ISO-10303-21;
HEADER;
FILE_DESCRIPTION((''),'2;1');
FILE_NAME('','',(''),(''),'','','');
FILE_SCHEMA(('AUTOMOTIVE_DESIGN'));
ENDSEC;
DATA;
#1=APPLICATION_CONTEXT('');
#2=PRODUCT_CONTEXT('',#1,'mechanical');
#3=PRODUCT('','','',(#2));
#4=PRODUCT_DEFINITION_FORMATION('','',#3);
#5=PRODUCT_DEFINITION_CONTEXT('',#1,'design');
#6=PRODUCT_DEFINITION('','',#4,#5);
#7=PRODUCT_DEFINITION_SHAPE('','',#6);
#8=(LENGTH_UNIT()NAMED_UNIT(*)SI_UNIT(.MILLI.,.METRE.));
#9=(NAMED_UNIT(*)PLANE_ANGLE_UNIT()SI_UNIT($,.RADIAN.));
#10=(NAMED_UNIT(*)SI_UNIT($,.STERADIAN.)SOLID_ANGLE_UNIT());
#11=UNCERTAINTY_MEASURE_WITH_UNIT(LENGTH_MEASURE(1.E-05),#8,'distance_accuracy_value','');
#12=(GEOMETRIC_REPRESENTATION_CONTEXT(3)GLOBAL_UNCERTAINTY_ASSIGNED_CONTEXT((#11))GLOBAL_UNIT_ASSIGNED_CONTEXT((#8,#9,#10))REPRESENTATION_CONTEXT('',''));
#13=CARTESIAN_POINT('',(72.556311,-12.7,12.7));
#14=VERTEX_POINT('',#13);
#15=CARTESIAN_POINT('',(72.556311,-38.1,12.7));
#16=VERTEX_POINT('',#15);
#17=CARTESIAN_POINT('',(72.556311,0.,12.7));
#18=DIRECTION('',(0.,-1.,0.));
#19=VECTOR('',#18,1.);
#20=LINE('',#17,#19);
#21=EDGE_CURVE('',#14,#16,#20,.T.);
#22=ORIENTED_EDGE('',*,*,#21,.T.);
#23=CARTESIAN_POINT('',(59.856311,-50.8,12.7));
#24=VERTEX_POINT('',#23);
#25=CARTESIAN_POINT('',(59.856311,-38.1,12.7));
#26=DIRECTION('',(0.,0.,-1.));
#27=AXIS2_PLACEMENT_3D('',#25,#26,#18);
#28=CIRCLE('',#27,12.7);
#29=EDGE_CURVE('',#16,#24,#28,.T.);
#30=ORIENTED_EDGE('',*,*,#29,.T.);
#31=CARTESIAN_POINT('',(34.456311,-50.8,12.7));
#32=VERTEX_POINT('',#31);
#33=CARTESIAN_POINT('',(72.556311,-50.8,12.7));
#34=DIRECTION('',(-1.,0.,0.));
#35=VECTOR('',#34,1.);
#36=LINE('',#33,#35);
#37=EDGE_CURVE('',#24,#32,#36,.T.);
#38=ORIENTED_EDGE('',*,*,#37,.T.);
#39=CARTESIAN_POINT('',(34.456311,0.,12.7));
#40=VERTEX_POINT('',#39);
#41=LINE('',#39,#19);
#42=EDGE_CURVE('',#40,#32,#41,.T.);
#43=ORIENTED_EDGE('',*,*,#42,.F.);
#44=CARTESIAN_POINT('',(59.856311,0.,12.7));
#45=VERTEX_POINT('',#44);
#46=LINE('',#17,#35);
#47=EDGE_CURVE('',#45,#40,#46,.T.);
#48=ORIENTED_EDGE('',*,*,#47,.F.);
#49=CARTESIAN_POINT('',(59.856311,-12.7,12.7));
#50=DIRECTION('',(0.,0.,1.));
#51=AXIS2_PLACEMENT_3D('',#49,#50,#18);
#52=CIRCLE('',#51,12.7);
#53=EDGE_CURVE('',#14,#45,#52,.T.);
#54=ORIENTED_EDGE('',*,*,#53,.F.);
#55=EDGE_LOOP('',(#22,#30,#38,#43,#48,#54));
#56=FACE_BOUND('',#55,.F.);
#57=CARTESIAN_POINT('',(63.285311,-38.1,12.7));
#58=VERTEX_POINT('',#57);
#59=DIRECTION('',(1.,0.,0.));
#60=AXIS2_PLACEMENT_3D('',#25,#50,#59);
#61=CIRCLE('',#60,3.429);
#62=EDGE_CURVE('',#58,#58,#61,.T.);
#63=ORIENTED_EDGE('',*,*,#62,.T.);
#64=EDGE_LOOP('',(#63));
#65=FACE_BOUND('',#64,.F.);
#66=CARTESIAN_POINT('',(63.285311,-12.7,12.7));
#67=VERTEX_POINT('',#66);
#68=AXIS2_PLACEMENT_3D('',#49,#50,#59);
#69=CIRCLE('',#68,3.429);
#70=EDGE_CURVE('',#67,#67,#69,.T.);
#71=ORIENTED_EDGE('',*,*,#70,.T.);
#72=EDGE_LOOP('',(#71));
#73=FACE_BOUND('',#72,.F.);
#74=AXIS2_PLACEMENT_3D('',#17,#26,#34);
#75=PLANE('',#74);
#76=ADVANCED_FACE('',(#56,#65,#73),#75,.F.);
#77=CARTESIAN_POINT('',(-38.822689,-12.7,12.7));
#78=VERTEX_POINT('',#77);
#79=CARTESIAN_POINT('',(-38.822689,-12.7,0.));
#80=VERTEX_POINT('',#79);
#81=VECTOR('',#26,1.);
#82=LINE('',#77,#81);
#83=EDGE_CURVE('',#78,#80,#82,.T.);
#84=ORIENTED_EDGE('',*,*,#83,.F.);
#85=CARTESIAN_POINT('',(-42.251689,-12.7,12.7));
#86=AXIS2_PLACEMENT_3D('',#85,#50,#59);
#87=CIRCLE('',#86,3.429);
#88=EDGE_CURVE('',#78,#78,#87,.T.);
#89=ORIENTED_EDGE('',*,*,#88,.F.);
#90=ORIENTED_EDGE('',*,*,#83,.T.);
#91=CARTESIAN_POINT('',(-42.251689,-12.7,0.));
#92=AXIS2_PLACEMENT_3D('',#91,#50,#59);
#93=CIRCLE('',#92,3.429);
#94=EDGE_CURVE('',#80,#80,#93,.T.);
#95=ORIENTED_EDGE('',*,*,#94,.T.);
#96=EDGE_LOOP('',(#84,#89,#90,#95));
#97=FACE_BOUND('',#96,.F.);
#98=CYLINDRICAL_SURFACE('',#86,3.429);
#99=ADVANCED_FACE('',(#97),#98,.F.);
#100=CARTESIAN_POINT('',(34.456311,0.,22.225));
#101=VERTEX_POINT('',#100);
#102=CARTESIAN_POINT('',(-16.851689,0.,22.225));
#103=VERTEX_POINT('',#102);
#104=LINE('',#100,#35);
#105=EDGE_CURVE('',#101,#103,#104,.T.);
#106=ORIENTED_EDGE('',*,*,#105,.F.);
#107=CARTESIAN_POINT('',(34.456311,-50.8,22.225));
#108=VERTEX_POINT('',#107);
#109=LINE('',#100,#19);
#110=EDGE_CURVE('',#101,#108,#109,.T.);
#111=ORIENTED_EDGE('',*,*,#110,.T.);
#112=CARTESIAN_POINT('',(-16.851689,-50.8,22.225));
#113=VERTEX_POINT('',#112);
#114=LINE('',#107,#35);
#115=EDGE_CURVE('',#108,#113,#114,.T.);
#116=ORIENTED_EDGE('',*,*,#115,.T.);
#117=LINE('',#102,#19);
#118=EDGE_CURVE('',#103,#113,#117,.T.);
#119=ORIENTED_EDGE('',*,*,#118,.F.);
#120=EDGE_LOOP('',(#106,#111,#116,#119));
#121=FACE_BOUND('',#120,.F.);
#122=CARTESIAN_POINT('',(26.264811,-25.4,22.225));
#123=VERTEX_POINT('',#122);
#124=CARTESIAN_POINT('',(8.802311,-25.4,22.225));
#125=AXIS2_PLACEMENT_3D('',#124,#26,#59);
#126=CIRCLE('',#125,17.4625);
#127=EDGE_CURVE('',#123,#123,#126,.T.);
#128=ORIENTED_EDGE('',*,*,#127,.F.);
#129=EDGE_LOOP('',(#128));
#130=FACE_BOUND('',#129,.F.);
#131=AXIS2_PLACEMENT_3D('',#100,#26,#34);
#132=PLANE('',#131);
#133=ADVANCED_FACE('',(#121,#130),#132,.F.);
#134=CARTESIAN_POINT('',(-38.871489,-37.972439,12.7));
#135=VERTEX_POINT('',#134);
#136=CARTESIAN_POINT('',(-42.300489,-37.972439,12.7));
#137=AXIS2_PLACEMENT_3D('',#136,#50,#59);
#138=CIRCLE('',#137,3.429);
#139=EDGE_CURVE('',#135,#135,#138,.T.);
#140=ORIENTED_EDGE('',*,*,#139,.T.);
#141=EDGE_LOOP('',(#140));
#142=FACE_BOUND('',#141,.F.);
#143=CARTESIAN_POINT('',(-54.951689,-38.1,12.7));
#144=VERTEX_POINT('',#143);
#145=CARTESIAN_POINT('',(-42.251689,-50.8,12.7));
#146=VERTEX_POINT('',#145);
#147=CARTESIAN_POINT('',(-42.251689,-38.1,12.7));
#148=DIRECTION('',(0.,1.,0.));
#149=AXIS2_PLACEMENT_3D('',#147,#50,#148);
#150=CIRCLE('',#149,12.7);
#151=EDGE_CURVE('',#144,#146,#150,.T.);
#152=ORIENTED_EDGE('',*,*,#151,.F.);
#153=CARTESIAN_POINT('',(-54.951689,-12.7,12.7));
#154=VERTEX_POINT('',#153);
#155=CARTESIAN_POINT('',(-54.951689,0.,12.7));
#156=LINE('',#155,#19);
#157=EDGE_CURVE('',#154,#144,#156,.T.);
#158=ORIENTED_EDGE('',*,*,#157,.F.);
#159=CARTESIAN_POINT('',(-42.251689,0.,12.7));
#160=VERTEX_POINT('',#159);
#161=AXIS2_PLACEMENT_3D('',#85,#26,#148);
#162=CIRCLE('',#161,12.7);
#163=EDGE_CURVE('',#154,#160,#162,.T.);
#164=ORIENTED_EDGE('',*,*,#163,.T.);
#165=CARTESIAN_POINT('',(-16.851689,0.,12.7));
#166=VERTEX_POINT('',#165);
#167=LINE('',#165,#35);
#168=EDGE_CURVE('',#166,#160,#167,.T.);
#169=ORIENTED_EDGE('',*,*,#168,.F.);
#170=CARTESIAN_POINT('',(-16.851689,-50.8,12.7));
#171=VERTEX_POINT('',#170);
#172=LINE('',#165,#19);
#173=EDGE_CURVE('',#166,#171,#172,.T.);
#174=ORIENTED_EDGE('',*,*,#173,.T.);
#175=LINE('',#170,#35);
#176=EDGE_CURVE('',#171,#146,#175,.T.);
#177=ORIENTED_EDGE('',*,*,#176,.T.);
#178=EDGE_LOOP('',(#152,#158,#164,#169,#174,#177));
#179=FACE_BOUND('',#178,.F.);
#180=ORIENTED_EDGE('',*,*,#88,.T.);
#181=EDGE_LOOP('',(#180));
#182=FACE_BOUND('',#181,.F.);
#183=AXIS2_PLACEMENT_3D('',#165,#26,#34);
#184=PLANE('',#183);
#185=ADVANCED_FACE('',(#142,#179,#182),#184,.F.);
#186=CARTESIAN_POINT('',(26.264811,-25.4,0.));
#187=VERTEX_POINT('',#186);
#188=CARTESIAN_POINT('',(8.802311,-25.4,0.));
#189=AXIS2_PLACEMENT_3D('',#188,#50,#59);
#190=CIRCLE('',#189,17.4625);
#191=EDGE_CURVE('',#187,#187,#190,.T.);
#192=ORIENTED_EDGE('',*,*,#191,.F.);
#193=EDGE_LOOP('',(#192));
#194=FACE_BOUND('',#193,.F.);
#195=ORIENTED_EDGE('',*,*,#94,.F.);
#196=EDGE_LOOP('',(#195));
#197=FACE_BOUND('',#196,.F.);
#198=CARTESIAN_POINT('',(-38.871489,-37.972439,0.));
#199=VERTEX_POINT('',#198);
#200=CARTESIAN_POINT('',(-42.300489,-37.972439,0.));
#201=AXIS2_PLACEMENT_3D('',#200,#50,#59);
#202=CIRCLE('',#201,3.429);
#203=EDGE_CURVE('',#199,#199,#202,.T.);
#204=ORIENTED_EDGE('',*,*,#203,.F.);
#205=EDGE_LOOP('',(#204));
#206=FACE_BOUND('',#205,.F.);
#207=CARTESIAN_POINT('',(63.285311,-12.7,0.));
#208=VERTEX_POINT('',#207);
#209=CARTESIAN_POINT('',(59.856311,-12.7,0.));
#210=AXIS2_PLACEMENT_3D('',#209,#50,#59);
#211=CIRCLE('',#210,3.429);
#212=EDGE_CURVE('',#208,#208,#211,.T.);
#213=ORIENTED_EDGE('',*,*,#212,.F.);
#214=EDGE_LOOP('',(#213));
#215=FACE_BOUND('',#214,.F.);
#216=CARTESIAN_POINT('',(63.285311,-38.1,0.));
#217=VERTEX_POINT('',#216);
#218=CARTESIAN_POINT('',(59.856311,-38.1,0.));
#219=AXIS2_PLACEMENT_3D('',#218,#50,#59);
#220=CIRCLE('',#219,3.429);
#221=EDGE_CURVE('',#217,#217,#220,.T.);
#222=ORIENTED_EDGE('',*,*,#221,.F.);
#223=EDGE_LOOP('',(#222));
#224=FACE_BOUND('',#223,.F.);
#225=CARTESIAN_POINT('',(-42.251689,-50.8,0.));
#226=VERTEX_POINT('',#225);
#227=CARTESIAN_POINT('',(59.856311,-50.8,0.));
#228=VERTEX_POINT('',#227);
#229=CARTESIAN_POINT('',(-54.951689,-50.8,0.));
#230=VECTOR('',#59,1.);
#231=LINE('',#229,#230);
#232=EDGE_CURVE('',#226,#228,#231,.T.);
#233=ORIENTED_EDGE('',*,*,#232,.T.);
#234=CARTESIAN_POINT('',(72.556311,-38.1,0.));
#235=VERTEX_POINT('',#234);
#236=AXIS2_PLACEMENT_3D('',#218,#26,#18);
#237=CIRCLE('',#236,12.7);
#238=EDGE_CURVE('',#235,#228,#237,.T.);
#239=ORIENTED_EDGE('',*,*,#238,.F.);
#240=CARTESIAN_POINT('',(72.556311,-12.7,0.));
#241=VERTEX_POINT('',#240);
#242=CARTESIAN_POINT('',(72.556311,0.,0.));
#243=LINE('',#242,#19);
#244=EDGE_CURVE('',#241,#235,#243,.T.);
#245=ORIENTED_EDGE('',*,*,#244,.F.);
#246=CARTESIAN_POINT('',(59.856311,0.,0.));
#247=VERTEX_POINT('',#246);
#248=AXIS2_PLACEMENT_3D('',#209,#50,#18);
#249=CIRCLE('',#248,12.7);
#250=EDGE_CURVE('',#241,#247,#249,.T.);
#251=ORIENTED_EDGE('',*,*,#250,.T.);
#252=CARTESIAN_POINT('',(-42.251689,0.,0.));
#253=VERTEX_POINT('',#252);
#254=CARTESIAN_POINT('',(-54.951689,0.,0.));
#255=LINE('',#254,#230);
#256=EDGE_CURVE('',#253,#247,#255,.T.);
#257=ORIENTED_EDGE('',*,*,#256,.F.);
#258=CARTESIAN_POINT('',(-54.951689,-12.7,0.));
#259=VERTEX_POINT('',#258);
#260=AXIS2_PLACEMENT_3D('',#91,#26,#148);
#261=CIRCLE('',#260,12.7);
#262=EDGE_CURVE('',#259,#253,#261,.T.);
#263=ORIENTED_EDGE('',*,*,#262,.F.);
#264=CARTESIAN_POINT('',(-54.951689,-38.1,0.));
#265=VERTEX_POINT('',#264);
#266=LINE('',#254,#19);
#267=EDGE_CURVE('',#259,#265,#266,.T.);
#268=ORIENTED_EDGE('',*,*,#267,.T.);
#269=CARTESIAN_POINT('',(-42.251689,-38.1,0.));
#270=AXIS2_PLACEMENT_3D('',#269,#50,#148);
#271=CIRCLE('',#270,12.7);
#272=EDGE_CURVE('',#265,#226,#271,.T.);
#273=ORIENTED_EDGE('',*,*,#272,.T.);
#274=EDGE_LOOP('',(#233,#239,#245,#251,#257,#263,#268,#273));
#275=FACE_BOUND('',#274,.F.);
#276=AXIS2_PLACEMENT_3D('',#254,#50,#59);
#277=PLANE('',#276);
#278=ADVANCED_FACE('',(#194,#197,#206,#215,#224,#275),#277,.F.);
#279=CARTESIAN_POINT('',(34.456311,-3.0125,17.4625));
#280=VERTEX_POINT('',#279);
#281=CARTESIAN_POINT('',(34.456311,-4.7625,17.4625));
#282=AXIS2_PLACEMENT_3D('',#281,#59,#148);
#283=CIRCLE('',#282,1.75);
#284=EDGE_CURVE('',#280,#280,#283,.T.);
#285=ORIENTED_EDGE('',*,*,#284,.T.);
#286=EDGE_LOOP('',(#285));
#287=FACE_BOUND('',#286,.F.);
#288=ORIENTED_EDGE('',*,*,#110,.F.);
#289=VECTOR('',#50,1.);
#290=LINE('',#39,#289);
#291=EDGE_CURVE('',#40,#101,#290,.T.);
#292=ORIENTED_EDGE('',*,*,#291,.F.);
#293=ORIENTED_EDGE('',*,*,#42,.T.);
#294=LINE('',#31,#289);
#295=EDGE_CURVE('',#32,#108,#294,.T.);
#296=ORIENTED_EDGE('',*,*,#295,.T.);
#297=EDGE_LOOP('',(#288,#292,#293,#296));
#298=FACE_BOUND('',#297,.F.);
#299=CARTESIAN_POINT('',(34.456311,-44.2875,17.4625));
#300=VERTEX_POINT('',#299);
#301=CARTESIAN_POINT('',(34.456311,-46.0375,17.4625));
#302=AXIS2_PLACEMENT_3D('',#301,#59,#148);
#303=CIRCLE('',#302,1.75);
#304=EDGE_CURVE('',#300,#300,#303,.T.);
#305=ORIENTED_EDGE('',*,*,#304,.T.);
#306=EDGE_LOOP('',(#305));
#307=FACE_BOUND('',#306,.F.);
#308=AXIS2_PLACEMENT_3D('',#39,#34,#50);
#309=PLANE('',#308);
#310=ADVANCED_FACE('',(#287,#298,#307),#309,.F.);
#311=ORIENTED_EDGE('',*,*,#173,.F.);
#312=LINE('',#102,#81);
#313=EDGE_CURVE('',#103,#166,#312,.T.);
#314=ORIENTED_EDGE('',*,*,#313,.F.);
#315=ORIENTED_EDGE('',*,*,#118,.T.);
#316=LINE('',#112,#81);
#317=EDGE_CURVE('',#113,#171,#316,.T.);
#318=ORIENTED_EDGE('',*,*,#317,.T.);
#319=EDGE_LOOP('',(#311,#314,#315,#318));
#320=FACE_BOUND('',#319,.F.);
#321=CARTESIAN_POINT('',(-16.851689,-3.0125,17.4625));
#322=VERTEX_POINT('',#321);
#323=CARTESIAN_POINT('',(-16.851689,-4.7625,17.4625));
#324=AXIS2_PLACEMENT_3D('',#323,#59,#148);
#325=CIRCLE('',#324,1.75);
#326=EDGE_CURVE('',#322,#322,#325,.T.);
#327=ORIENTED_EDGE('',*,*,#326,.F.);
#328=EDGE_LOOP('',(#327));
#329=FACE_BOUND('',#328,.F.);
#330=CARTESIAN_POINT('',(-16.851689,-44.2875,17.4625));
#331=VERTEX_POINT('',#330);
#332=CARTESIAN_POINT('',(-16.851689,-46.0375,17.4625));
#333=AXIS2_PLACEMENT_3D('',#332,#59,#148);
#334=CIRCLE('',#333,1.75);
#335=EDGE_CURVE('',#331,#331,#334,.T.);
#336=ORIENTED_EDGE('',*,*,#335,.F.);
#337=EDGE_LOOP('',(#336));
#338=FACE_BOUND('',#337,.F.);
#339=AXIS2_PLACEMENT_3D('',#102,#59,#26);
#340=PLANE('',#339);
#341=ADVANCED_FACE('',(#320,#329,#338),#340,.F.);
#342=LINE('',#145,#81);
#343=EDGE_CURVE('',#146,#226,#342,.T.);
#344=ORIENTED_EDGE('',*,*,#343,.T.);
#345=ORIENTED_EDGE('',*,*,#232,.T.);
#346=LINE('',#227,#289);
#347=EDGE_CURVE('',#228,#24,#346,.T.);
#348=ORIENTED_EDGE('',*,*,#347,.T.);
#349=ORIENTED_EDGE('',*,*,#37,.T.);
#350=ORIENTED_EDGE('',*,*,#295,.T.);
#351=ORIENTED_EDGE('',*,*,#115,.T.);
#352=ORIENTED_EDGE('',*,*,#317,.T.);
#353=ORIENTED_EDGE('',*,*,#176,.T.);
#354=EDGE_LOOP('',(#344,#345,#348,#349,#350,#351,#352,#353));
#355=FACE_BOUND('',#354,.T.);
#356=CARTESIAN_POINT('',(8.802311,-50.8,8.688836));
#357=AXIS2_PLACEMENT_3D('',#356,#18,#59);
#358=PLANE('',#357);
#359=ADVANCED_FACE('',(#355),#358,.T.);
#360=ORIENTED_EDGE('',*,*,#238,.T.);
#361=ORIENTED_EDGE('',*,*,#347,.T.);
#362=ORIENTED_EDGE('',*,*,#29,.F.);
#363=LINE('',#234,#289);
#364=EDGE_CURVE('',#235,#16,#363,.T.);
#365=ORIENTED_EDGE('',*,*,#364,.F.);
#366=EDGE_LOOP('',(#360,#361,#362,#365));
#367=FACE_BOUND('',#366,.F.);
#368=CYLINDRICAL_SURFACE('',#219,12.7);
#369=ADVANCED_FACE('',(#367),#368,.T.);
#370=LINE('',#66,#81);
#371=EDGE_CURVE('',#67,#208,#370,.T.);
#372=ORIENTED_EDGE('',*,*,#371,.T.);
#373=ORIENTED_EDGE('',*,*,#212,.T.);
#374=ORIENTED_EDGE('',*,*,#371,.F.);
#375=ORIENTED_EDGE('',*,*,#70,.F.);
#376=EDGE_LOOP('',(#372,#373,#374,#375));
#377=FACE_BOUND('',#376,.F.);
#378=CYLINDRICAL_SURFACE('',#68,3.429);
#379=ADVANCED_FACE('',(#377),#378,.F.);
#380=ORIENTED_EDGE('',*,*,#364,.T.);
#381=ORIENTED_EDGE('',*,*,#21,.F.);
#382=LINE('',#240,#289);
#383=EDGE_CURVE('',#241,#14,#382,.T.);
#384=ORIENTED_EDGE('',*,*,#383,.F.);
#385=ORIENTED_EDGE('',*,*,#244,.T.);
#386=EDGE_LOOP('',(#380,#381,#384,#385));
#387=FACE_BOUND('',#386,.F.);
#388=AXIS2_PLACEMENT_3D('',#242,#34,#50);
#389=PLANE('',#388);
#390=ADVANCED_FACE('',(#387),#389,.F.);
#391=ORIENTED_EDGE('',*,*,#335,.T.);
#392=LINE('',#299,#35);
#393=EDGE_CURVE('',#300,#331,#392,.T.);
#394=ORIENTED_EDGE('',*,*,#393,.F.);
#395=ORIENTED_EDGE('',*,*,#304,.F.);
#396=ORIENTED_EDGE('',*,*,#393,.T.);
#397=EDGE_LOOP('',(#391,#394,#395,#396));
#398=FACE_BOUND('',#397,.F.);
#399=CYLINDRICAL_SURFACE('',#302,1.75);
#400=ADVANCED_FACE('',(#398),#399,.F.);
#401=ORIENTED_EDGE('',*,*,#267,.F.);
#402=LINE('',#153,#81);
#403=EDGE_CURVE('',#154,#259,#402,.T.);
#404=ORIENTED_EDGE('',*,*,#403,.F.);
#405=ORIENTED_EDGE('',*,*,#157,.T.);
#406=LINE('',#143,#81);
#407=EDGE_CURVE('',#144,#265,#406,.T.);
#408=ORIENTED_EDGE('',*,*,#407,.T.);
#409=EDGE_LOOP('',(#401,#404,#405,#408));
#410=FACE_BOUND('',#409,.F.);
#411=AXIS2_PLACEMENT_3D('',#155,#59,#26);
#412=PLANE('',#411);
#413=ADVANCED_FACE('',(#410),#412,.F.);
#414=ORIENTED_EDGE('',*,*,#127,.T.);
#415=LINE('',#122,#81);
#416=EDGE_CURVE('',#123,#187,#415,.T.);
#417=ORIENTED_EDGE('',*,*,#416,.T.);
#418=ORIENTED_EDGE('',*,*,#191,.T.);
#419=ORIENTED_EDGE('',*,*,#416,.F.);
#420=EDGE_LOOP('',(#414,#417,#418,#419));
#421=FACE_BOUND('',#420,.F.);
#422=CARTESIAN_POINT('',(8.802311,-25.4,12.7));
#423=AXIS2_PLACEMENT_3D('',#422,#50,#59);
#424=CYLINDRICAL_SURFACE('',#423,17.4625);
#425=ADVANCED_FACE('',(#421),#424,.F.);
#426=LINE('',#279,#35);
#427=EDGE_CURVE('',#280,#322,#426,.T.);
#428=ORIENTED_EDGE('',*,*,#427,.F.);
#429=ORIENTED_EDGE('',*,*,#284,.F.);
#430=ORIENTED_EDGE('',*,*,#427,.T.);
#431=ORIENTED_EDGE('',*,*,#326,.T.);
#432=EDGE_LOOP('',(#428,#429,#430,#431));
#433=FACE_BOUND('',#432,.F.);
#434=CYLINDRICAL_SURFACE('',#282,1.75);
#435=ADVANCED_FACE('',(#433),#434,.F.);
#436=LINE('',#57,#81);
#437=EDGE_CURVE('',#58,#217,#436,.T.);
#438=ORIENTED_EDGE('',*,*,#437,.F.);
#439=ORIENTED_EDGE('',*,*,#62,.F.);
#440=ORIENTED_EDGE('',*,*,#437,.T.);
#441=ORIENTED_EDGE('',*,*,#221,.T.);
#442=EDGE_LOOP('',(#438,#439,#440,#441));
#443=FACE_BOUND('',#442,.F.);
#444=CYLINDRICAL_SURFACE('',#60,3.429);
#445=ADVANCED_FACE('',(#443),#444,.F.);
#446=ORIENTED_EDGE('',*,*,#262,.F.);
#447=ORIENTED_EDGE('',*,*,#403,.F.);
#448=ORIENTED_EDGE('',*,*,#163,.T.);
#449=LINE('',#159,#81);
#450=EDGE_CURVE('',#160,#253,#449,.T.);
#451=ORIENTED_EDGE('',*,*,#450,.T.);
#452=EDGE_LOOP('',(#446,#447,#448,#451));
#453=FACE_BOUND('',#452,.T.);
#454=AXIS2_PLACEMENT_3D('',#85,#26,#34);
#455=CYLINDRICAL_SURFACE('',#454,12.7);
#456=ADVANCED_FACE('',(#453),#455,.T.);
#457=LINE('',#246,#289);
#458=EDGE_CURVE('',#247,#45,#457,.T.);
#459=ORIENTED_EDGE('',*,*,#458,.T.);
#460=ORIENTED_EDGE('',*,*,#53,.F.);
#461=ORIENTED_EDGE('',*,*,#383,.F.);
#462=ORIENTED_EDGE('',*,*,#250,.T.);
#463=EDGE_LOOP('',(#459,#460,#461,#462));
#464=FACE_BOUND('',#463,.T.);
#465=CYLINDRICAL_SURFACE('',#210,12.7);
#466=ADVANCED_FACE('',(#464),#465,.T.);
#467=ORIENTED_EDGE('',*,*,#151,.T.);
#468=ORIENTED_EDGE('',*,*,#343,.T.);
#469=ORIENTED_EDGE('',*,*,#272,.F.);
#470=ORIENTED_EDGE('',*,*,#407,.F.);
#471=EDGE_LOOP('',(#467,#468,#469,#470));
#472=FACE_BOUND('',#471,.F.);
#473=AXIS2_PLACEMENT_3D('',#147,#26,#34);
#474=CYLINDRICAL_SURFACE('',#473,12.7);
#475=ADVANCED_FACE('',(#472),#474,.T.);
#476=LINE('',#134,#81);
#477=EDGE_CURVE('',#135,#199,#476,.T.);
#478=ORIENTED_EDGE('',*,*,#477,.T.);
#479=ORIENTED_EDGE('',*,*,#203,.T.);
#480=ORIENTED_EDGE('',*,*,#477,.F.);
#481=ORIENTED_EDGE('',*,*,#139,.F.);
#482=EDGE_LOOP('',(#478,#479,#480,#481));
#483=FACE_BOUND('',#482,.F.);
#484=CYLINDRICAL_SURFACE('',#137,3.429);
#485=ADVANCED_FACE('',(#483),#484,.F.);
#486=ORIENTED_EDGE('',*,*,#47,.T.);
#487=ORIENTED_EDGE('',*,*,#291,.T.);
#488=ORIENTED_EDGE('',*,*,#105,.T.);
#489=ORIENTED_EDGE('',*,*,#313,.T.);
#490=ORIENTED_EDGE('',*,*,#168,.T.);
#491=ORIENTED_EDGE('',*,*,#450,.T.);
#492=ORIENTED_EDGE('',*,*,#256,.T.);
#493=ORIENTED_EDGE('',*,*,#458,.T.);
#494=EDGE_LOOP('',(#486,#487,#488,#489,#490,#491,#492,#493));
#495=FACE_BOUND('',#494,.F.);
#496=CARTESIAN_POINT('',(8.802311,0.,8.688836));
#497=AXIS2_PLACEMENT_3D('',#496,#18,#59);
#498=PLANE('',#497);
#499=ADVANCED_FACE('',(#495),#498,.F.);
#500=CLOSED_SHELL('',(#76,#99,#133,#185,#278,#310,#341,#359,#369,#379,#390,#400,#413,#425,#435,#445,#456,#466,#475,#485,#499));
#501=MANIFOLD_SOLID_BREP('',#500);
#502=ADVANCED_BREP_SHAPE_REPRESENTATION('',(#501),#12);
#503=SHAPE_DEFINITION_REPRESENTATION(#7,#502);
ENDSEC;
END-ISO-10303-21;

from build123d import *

# Parameters (mm, degrees)
F1_DEPTH      = 50.8
F2_R          = 12.7
F3_R          = 3.429
F3_R_2        = 17.4625
F4_DEPTH      = 25.4
F4_DEPTH_BACK = 25.4
F5_R          = 1.75
F6_DEPTH      = 89.409


with BuildPart() as f1:
    # F0 (on Front) → F1 (new body)
    with BuildSketch(Plane.XZ):
        Polygon((34.4563108511, 22.225), (-16.8516891489, 22.225), (-16.8516891489, 12.7), (-54.9516891489, 12.7), (-54.9516891489, 0), (72.5563108511, 0), (72.5563108511, 12.7), (34.4563108511, 12.7), align=None)
    extrude(amount=F1_DEPTH)

    # F2
    f2_edges = [f1.edges().sort_by_distance(p)[0] for p in [
        (72.556311, -50.8, 6.35),
        (72.556311, 0, 6.35),
        (-54.951689, -50.8, 6.35),
        (-54.951689, 0, 6.35),
    ]]
    fillet(f2_edges, radius=F2_R)

    # F3 (on face) → F4 (cut, two sides)
    with BuildSketch(Plane.XY.offset(12.7)) as f4_sk:
        with Locations((-42.2516891489, -12.7)):
            Circle(F3_R)
        with Locations((8.8023108511, -25.4)):
            Circle(F3_R_2)
        with Locations((59.8563108511, -38.1)):
            Circle(F3_R)
        with Locations((-42.3004887998, -37.9724390805)):
            Circle(F3_R)
        with Locations((59.8563108511, -12.7)):
            Circle(F3_R)
    extrude(amount=-F4_DEPTH, mode=Mode.SUBTRACT)
    extrude(f4_sk.sketch, amount=F4_DEPTH_BACK, mode=Mode.SUBTRACT)

    # F5 (on face) → F6 (cut, through all)
    with BuildSketch(Plane.YZ.offset(34.4563108511)):
        with Locations((-46.0375, 17.4625)):
            Circle(F5_R)
        with Locations((-4.7625, 17.4625)):
            Circle(F5_R)
    extrude(amount=-F6_DEPTH, mode=Mode.SUBTRACT)


solid = f1.part
